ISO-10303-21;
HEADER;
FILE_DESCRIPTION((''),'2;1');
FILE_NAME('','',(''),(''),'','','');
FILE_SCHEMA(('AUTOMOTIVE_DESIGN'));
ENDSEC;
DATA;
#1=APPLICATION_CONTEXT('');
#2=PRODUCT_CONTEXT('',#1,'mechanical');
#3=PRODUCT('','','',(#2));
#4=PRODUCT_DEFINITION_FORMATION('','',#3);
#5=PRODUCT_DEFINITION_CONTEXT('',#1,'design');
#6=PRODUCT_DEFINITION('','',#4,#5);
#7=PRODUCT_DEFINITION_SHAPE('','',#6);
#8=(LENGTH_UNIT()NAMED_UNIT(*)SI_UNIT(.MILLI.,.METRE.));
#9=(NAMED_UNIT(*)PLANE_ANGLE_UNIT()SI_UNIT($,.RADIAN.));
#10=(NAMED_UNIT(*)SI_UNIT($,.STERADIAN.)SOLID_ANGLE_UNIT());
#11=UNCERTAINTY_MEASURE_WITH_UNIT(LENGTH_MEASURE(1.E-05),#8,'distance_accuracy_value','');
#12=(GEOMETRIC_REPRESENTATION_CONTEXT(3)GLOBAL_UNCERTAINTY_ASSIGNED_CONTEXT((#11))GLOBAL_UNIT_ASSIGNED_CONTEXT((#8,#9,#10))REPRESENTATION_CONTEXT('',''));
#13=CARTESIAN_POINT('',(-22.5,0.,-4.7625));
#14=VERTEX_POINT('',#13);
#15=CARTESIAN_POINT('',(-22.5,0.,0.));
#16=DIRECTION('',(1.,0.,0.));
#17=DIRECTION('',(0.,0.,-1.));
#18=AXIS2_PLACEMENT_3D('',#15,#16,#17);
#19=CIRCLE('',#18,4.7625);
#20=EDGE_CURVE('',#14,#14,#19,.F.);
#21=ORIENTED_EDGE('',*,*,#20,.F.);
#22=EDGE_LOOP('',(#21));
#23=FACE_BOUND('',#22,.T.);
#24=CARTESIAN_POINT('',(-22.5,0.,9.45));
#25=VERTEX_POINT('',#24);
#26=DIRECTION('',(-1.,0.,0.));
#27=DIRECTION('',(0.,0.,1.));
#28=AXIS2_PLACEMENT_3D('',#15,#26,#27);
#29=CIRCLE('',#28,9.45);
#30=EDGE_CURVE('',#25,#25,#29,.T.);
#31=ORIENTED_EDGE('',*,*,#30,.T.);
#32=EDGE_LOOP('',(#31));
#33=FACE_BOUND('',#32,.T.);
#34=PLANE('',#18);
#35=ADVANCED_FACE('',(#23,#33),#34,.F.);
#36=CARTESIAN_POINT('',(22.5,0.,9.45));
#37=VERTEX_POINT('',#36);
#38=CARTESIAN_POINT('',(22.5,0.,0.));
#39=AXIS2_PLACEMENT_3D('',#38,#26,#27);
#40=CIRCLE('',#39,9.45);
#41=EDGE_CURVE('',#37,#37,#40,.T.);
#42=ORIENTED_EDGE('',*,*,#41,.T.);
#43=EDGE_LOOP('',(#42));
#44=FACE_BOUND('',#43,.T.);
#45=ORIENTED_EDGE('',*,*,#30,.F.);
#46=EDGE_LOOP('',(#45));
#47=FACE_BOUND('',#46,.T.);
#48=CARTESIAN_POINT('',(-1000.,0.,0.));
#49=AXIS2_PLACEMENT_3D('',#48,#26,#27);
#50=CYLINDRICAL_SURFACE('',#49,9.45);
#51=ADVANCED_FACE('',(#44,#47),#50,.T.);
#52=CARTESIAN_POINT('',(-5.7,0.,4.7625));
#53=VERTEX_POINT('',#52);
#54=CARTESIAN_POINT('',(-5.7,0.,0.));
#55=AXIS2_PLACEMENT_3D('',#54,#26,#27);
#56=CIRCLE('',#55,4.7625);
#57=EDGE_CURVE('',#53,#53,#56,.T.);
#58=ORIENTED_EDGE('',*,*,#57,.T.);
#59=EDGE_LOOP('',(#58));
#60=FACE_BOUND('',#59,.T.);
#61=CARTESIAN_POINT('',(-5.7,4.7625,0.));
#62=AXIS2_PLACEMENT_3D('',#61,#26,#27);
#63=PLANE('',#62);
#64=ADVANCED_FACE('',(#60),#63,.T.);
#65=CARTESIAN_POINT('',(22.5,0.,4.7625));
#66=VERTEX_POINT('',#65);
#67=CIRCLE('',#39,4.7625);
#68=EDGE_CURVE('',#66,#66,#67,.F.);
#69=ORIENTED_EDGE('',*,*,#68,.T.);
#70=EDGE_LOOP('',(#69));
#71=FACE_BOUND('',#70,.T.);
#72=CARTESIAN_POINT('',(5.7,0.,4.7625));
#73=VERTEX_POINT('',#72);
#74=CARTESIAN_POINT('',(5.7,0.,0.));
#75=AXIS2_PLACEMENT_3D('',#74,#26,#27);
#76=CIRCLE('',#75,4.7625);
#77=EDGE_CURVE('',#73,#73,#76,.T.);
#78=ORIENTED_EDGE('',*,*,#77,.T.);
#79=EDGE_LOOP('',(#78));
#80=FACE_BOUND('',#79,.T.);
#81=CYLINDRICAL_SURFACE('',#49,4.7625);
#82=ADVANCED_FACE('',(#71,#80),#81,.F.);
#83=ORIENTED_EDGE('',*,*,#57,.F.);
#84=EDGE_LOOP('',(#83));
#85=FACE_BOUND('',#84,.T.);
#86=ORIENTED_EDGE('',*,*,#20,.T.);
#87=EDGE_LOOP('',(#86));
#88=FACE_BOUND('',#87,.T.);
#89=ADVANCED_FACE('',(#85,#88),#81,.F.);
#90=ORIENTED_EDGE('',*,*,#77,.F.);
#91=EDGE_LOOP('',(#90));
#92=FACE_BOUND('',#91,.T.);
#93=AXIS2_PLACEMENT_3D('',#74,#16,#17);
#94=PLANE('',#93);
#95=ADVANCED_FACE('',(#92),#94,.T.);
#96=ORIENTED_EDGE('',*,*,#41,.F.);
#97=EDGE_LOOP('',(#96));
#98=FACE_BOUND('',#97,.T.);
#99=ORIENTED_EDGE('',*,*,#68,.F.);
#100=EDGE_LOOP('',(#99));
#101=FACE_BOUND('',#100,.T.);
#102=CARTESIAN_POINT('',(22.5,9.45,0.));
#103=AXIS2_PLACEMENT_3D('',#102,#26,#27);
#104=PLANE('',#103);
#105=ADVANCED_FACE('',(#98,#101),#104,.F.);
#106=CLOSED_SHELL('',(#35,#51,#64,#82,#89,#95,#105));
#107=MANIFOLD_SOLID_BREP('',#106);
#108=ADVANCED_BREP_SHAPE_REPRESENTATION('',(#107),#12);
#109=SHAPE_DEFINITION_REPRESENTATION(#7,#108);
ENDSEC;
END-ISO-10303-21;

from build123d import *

# Parameters (mm, degrees)
SOCKET_1_SKETCH_W = 17.8
SOCKET_1_SKETCH_H = 4.7625
SOCKET_2_SKETCH_W = 17.8
SOCKET_2_SKETCH_H = 4.7625


with BuildPart() as part:
    # Union_T6 Sketch → Union_T6 (revolve)
    with BuildSketch(Plane.XY):
        Polygon((-22.5, 0), (-22.5, 9.45), (-0.5, 9.45), (0.5, 9.45), (22.5, 9.45), (22.5, 0), align=None)
    revolve(axis=Axis((-1000, 0, 0), (1, 0, 0)))

    # Socket 1 Sketch → Socket 1 (revolve, cut)
    with BuildSketch(Plane.XY):
        with Locations((-14.6, 2.38125)):
            Rectangle(SOCKET_1_SKETCH_W, SOCKET_1_SKETCH_H)
    revolve(axis=Axis((-1000, 0, 0), (1, 0, 0)), mode=Mode.SUBTRACT)

    # Socket 2 Sketch → Socket 2 (revolve, cut)
    with BuildSketch(Plane.XY):
        with Locations((14.6, 2.38125)):
            Rectangle(SOCKET_2_SKETCH_W, SOCKET_2_SKETCH_H)
    revolve(axis=Axis((-1000, 0, 0), (1, 0, 0)), mode=Mode.SUBTRACT)


solid = part.part
